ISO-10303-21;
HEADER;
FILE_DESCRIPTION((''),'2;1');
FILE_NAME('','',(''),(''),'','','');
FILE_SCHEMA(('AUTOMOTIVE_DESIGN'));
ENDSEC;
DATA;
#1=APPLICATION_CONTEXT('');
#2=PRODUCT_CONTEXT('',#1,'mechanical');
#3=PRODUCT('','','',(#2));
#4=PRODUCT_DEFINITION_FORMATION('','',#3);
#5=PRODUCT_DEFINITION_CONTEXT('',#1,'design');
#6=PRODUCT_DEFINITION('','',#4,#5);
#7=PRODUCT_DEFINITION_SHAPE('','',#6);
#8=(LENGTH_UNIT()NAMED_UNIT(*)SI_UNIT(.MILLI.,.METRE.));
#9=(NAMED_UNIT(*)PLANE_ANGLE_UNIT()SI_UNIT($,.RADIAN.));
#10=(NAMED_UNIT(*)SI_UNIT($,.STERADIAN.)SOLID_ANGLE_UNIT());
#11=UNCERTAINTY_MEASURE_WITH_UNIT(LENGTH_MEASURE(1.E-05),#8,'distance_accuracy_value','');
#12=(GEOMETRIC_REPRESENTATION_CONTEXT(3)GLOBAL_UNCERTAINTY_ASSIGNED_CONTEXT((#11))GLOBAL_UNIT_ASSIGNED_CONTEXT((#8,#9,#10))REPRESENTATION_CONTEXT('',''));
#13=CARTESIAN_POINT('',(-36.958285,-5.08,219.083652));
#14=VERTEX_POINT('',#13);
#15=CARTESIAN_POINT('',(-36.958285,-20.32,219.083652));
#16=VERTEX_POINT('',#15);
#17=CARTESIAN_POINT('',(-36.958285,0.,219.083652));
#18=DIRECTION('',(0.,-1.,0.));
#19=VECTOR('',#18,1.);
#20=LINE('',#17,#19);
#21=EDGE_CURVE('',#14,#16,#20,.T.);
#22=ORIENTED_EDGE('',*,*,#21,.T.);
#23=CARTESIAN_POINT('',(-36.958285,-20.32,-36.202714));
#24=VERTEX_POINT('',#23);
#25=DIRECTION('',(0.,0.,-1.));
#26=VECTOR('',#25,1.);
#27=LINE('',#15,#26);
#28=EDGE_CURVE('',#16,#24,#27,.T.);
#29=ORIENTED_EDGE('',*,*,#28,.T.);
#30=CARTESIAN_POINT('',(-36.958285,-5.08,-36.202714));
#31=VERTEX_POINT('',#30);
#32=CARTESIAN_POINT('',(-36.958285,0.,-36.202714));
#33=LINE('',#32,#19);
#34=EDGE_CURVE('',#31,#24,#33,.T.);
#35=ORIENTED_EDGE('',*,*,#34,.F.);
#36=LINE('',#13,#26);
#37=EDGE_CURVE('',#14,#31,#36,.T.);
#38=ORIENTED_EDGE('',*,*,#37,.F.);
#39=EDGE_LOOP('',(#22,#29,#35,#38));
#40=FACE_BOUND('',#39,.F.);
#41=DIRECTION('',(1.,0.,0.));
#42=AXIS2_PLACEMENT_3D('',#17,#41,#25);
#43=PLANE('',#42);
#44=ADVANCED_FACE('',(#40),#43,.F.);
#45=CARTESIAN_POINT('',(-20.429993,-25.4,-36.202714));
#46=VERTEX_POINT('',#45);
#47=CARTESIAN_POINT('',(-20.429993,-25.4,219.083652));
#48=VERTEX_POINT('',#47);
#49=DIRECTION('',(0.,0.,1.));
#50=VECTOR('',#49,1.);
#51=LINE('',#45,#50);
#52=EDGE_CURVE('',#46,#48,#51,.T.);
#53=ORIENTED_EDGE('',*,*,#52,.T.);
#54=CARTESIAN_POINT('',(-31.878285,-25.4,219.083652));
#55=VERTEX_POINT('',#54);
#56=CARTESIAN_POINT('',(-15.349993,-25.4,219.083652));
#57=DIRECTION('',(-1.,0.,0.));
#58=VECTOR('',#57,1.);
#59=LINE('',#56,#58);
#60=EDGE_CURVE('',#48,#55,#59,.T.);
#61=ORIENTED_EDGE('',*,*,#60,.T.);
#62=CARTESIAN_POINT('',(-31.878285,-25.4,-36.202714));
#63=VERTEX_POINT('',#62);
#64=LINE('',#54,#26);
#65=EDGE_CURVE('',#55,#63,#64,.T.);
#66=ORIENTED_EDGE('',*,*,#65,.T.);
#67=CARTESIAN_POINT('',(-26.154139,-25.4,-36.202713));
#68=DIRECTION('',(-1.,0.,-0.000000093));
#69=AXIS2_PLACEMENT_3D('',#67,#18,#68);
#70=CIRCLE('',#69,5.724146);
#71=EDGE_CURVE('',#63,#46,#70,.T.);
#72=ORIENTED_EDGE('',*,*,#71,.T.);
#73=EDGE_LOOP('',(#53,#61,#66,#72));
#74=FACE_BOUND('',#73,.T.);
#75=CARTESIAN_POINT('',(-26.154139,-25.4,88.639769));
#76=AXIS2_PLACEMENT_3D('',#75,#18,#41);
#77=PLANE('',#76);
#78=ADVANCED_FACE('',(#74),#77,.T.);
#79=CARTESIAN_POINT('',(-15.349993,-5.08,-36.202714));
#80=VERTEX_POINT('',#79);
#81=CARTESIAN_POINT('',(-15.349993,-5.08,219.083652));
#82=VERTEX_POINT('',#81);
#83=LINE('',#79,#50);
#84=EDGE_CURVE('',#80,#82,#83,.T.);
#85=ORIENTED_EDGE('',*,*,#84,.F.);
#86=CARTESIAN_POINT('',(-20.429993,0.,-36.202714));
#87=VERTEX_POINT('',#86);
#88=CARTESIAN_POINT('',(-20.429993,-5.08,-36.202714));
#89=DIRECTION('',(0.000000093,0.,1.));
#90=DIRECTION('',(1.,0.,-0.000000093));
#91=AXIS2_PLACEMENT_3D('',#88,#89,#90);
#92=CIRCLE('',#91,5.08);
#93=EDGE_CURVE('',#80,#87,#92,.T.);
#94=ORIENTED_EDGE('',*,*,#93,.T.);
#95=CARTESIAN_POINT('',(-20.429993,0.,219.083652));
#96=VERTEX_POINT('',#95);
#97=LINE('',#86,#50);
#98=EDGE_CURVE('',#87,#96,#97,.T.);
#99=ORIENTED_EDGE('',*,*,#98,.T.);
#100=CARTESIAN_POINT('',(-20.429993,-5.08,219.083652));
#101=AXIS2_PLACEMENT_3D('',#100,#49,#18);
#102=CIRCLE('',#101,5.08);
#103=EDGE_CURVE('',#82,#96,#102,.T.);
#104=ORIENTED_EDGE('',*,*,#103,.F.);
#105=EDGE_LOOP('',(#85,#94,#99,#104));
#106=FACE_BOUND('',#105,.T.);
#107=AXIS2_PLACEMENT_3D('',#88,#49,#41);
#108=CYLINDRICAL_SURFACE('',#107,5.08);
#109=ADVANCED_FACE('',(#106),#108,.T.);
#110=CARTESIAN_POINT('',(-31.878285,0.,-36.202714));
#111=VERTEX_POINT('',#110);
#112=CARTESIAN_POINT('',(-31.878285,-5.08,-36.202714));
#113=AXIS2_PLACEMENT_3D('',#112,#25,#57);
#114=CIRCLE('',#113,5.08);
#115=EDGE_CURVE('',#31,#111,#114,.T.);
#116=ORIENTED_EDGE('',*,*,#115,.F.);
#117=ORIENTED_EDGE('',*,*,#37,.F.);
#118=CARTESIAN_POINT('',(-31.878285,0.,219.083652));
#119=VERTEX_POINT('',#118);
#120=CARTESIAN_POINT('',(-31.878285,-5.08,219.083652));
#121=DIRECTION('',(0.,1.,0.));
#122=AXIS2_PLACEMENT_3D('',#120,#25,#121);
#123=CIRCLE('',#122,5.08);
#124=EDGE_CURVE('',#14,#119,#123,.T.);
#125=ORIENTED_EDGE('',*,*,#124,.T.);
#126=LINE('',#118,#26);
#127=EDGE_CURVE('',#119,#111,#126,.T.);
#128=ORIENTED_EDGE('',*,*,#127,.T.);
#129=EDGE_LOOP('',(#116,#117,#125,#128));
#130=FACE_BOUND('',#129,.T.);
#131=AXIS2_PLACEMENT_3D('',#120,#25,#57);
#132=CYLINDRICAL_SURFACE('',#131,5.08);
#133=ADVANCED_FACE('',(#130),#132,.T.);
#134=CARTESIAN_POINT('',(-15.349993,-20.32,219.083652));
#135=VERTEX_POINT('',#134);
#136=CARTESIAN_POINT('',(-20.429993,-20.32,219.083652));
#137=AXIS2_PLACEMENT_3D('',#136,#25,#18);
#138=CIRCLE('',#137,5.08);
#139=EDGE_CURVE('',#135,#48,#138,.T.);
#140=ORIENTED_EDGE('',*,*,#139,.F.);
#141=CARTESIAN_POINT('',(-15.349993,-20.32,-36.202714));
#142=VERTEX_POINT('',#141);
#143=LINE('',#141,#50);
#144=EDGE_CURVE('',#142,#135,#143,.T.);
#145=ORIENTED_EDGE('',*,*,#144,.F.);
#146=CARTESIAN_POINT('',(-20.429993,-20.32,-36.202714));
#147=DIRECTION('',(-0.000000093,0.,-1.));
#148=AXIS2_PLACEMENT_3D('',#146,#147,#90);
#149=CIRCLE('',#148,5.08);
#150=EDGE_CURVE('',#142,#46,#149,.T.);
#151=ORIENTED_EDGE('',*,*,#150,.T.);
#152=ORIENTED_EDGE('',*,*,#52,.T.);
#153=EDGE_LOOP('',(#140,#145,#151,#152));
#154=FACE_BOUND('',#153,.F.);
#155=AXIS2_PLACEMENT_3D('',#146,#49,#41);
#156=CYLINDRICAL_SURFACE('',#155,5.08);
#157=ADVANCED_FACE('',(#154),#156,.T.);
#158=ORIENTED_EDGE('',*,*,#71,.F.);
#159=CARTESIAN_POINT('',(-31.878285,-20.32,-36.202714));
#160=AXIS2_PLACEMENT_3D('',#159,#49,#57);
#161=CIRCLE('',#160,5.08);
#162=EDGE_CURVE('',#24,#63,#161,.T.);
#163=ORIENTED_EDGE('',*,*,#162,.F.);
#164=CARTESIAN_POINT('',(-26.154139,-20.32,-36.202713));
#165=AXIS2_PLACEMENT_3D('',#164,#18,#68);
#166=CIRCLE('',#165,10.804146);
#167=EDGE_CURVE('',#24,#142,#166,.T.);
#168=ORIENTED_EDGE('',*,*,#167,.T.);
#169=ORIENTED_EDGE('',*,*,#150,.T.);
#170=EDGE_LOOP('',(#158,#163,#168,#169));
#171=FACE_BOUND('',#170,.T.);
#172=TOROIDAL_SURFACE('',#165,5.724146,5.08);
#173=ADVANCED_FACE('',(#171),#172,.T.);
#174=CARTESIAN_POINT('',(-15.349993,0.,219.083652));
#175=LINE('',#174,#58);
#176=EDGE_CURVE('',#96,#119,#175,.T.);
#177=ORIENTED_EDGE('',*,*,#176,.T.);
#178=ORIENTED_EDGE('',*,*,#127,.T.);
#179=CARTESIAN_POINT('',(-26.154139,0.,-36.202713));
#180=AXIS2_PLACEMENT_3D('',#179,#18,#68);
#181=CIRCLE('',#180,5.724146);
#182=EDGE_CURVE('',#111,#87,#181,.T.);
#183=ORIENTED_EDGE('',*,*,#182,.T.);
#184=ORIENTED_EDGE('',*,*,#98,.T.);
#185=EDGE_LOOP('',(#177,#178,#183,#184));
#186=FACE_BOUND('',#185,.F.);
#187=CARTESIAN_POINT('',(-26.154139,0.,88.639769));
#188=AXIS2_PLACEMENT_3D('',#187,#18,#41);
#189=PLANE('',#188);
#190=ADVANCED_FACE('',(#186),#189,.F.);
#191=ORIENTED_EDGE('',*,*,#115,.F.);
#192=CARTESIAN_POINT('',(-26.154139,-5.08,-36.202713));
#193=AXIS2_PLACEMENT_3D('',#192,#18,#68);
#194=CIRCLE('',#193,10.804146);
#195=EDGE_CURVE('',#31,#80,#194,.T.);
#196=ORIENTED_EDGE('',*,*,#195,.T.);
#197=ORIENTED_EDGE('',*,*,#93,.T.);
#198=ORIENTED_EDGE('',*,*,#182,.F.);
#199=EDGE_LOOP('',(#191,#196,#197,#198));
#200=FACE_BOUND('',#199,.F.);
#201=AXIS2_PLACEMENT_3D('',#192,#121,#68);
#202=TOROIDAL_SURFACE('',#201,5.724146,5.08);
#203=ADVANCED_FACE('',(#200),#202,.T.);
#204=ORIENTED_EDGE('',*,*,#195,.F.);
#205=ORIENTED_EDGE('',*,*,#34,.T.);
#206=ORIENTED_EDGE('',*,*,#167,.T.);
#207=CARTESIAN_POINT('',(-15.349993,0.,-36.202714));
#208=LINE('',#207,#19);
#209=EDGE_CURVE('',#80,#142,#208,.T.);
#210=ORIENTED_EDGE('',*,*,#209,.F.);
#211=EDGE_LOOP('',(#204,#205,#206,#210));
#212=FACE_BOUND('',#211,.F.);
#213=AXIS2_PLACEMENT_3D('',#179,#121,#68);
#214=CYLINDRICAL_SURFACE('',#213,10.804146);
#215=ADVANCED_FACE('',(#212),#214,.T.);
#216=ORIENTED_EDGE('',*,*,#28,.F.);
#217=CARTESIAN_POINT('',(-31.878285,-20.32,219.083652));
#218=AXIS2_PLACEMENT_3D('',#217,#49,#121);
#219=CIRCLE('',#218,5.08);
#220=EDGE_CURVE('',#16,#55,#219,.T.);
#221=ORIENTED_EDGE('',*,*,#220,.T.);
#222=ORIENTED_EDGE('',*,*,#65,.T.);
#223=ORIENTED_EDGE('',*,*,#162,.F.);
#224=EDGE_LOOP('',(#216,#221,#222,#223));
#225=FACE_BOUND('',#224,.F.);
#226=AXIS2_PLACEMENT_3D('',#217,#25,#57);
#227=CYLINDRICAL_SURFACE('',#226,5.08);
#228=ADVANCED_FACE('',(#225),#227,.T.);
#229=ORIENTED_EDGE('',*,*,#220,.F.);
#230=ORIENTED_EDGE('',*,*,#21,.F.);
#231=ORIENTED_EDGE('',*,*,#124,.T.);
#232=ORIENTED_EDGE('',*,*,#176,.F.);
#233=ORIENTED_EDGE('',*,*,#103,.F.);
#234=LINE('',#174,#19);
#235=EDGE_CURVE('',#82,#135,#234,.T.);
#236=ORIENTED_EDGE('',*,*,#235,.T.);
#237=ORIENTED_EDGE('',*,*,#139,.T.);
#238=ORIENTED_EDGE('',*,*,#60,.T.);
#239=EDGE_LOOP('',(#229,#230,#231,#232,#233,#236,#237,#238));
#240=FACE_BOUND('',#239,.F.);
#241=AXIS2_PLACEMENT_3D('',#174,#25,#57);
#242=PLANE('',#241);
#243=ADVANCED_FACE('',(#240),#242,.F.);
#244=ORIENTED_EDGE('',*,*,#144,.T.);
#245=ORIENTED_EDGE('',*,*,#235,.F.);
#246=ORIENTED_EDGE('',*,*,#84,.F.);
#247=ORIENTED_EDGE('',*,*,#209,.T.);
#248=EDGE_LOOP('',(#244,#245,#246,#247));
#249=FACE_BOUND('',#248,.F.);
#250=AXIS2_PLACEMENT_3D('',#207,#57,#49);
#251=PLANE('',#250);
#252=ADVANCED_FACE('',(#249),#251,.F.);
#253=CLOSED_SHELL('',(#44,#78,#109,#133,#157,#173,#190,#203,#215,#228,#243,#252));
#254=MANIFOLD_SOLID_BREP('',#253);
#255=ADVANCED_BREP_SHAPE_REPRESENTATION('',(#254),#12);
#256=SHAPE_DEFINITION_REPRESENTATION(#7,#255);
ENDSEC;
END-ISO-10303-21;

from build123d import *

# Parameters (mm, degrees)
F1_DEPTH = 25.4
F2_R     = 5.08


with BuildPart() as f1:
    # F0 (on Front) → F1 (new body)
    with BuildSketch(Plane.XZ):
        with BuildLine():
            Line((-36.958285, 219.083652), (-36.958285, -36.202714))
            ThreePointArc((-36.958285, -36.202714), (-26.154139, -47.006859), (-15.349993, -36.202714))
            Line((-15.349993, -36.202714), (-15.349993, 219.083652))
            Line((-15.349993, 219.083652), (-36.958285, 219.083652))
        make_face()
    extrude(amount=F1_DEPTH)

    # F2
    f2_edges = [f1.edges().sort_by_distance(p)[0] for p in [
        (-36.958285, -12.7, -36.202714),
        (-15.349993, -12.7, -36.202714),
        (-26.154139, 0, -47.006859),
        (-26.154139, -25.4, -47.006859),
    ]]
    fillet(f2_edges, radius=F2_R)


solid = f1.part
